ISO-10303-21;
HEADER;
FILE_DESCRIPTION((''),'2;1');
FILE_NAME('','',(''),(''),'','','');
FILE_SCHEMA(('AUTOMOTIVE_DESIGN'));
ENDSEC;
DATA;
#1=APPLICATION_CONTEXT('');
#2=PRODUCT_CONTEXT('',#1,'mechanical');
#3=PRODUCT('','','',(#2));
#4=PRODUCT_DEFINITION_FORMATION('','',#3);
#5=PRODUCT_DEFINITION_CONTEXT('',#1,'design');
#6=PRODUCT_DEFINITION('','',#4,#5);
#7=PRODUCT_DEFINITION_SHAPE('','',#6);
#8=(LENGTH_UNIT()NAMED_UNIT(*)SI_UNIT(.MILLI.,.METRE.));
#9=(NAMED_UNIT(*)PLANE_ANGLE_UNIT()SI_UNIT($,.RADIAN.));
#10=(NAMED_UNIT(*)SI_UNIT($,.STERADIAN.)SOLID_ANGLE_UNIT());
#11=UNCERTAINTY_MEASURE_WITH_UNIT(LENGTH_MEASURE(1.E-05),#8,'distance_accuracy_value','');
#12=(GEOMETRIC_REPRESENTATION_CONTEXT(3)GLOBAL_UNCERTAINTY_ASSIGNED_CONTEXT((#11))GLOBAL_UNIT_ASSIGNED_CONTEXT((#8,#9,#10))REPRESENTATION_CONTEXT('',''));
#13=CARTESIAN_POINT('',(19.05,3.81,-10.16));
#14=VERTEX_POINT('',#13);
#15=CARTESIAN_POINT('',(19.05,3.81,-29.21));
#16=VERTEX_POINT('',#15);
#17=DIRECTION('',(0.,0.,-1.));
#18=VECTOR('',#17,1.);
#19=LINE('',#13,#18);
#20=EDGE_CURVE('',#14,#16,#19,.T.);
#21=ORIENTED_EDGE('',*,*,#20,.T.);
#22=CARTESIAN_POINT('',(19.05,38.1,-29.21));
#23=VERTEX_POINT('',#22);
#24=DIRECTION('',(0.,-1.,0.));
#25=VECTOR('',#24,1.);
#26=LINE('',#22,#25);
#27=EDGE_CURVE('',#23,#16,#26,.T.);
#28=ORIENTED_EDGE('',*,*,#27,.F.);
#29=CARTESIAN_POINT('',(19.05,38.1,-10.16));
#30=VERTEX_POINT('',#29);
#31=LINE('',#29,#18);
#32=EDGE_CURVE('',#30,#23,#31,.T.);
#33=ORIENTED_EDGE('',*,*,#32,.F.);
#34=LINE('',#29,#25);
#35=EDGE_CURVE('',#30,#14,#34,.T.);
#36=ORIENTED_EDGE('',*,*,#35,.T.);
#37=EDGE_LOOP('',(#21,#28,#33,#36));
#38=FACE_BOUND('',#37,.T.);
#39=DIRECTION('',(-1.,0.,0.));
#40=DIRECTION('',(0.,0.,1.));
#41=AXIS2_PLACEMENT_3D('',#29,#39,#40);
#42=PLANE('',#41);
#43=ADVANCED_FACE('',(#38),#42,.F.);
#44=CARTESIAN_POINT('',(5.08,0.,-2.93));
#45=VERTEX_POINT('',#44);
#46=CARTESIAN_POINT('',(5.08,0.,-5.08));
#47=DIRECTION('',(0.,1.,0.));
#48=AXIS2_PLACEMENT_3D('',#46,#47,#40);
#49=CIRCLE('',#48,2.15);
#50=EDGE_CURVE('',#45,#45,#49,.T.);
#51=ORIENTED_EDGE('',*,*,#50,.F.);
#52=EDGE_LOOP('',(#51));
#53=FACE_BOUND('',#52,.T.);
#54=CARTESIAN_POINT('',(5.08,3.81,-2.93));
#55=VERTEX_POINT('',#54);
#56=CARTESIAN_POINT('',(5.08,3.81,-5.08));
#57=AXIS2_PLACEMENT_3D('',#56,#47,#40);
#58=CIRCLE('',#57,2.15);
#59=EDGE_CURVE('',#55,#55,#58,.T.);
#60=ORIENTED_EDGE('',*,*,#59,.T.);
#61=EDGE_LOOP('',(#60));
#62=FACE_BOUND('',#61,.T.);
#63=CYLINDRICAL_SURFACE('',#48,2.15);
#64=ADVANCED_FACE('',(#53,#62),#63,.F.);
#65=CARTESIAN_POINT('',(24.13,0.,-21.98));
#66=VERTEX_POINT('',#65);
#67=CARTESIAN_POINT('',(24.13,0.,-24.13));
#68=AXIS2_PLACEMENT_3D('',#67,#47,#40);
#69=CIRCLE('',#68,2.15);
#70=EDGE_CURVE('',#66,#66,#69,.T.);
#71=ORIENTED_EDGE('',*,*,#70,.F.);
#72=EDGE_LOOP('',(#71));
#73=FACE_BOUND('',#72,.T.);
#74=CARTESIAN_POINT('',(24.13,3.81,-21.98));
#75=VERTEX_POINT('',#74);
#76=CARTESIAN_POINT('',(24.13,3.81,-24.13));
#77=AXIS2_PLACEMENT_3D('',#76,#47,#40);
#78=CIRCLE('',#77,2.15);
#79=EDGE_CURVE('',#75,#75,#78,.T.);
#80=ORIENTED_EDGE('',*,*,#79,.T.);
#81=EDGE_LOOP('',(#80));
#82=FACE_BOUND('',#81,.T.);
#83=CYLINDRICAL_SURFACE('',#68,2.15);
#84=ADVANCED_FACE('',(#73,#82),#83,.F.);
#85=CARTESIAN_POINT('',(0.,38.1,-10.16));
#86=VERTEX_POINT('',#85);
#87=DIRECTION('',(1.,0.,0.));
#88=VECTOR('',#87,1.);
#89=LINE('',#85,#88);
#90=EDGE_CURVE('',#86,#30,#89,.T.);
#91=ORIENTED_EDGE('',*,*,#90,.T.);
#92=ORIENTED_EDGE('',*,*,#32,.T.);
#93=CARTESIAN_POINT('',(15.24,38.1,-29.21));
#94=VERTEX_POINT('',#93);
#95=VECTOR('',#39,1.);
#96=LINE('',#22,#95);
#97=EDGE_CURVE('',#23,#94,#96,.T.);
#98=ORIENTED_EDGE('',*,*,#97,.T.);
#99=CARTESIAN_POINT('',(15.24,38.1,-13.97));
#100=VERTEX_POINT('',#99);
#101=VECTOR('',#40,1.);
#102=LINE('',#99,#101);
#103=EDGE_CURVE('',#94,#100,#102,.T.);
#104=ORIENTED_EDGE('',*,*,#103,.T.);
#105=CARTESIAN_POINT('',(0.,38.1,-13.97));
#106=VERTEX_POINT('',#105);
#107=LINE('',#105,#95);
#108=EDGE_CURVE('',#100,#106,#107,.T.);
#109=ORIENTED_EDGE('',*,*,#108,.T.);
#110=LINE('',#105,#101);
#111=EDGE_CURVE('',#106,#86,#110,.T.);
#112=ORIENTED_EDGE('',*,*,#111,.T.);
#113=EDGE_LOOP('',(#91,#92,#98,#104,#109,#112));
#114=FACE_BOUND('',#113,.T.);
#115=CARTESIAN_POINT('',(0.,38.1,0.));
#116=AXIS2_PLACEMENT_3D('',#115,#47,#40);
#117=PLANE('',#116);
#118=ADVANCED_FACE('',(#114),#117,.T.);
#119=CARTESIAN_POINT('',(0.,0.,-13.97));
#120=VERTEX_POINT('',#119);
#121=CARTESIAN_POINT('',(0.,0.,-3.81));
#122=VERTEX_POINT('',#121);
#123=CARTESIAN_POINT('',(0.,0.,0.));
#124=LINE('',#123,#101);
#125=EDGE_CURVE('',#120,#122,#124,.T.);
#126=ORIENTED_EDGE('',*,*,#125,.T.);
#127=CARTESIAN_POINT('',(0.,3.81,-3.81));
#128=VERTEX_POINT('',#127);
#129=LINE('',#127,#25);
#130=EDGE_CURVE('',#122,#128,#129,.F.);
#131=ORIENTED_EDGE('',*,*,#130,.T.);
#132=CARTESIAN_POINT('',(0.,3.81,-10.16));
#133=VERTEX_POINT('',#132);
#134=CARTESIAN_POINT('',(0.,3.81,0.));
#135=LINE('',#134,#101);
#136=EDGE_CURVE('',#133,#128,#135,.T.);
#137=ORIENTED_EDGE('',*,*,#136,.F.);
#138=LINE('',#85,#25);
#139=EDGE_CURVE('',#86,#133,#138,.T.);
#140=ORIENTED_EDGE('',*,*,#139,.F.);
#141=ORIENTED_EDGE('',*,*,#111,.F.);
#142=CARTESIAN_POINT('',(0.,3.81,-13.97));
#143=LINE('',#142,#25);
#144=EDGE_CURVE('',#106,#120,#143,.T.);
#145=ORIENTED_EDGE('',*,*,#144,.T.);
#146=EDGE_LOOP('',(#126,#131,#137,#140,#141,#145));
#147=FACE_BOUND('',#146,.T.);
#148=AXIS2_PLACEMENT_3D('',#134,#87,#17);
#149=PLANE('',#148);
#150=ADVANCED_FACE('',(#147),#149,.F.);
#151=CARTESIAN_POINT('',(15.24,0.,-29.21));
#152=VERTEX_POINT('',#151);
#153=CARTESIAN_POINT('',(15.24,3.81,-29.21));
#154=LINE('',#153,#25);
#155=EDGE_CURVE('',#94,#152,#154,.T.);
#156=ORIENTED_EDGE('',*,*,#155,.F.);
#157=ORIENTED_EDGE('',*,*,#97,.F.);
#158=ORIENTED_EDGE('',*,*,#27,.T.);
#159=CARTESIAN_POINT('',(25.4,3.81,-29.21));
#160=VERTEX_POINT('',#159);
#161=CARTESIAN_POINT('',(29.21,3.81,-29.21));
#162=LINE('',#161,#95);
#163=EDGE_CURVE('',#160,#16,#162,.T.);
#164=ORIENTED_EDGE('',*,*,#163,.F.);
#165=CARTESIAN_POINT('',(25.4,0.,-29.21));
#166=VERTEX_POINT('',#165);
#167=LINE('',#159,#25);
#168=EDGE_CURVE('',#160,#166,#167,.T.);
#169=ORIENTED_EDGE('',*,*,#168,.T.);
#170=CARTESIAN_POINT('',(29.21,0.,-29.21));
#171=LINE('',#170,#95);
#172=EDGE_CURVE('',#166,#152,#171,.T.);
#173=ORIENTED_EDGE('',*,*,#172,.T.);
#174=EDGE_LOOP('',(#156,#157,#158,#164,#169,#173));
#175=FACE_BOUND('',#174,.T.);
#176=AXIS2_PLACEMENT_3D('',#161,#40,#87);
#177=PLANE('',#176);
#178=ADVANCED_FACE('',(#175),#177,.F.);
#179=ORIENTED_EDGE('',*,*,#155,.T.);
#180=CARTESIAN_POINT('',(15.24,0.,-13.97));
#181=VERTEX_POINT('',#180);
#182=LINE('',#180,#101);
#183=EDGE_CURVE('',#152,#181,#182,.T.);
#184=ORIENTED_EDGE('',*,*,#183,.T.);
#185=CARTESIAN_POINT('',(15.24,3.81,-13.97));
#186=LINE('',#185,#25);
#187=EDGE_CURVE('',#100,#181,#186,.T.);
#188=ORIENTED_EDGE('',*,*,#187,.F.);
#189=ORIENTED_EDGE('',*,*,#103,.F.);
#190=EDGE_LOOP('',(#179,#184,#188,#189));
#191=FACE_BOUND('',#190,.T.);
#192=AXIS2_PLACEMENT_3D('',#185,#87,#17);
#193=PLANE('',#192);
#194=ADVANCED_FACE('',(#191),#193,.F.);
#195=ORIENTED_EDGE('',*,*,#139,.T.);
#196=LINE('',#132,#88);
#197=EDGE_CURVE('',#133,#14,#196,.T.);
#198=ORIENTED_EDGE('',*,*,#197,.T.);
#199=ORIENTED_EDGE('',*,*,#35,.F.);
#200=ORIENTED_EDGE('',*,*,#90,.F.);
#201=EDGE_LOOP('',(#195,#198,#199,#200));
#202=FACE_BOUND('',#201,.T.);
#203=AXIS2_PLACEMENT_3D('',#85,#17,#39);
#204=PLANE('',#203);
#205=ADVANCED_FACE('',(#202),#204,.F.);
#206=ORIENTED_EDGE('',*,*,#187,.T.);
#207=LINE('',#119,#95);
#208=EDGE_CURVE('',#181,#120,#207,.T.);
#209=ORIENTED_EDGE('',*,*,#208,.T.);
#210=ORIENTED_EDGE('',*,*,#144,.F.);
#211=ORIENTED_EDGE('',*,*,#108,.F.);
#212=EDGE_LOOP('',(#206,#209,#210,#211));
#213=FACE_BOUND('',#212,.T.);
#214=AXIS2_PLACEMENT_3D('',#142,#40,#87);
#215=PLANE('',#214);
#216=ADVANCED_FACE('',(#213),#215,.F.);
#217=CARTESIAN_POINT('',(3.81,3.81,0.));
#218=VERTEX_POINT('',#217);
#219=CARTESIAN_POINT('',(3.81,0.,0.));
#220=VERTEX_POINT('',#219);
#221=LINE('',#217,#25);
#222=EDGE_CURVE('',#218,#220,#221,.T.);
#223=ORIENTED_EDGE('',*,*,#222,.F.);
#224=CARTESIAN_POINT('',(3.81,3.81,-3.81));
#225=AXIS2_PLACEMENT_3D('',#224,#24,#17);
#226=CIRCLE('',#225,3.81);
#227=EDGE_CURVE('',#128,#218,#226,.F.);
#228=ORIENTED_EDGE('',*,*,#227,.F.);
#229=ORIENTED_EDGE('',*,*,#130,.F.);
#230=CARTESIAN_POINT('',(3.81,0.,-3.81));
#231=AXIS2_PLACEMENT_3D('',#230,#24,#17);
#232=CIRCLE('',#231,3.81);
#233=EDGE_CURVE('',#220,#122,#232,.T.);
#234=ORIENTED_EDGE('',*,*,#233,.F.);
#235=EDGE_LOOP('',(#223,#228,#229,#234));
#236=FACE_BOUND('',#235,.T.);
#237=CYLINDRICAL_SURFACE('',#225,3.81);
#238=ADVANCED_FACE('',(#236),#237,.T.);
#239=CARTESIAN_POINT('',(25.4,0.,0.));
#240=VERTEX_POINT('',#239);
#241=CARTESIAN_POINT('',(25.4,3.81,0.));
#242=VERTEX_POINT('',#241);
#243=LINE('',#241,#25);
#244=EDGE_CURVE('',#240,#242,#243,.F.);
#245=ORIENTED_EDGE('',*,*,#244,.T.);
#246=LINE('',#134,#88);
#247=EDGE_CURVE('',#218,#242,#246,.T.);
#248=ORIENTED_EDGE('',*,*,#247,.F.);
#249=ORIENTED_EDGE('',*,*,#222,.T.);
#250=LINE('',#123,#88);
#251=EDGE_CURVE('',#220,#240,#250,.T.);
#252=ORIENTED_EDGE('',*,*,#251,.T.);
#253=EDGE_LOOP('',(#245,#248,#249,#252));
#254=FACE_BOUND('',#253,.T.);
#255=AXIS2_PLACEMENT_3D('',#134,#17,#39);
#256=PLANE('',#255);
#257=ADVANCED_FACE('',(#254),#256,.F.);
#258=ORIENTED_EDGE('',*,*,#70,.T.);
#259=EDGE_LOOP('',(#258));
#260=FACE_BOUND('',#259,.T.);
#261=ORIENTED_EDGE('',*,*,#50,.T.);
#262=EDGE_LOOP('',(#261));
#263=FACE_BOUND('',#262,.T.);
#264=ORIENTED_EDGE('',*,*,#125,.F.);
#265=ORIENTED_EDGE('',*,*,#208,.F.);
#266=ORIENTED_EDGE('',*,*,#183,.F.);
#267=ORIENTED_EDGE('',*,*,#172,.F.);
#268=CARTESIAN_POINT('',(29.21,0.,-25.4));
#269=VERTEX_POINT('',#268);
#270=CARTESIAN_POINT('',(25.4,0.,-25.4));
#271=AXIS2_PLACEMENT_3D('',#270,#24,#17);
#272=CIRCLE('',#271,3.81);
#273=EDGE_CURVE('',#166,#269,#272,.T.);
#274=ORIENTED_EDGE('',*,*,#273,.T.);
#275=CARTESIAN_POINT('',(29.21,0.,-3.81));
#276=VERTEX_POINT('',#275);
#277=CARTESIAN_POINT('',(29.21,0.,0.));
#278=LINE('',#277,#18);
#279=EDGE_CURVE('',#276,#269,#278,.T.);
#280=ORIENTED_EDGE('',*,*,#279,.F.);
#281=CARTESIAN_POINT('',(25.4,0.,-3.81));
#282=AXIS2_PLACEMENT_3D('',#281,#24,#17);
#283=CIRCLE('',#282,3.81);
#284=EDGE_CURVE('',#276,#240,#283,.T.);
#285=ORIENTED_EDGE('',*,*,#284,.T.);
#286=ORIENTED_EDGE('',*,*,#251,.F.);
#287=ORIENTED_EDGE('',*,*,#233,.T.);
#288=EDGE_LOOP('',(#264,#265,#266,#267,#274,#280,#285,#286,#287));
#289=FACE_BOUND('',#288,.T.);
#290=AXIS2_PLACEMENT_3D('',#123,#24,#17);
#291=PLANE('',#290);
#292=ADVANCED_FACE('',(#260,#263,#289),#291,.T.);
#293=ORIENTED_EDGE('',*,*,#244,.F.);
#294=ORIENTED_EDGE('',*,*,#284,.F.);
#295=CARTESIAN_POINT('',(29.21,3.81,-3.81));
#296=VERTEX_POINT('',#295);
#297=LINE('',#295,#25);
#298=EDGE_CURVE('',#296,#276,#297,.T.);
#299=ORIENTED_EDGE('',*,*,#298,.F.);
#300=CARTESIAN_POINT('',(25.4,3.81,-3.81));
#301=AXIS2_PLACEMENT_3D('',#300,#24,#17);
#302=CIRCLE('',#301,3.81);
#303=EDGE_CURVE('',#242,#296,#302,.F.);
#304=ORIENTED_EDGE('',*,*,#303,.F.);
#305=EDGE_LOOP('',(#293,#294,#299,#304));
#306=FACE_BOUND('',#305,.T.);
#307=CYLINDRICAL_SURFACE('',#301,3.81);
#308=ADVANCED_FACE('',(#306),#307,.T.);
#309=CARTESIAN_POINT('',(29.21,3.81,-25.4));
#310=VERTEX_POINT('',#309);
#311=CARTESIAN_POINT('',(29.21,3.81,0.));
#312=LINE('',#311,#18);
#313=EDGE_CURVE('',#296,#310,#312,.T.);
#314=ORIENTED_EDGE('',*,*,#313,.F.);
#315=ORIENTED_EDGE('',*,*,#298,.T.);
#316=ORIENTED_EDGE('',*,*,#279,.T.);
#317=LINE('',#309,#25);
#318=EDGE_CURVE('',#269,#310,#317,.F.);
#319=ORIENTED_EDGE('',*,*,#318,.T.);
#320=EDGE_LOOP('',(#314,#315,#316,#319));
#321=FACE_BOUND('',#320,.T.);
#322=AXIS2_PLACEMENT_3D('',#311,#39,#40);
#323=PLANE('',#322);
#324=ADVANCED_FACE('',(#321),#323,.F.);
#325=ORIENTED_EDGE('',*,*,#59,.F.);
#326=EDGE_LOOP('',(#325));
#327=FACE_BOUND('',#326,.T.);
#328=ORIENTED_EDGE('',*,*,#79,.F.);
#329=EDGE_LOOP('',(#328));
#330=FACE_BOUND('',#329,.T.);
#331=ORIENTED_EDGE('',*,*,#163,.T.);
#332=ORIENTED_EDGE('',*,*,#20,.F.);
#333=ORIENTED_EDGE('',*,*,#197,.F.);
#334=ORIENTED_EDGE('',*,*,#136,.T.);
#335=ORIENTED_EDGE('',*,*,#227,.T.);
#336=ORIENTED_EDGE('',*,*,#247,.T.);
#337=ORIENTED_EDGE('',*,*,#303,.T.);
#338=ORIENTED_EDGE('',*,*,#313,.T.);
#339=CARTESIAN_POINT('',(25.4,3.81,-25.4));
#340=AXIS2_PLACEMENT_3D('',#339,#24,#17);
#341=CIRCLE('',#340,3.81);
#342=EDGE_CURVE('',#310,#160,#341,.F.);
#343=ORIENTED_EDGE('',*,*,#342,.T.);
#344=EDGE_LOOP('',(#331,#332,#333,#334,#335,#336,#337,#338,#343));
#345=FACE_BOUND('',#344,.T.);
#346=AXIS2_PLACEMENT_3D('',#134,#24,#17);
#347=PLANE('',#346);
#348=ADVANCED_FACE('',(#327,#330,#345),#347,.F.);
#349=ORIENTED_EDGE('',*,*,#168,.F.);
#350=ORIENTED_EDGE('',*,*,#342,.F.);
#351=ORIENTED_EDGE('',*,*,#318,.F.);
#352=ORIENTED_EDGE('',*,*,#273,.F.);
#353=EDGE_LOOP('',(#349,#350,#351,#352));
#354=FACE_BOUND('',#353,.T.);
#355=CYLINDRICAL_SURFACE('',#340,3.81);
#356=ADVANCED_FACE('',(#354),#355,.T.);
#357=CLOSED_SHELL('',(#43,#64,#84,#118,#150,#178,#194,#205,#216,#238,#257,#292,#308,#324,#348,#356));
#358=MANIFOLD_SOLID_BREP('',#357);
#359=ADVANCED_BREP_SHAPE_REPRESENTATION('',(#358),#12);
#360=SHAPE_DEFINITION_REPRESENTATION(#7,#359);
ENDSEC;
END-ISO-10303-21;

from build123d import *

# Parameters (mm, degrees)
BOSS_EXTRUDE1_DEPTH = 3.81
BOSS_EXTRUDE2_DEPTH = 34.29
SKETCH3_R           = 2.15
CUT_EXTRUDE1_DEPTH  = 4.81
FILLET1_R           = 3.81


with BuildPart() as part:
    # Sketch1 → Boss-Extrude1 (new body)
    with BuildSketch(Plane(origin=(0, 0, 0), x_dir=(1, 0, 0), z_dir=(0, 1, 0))):
        Polygon((29.21, 0), (29.21, 29.21), (15.24, 29.21), (15.24, 13.97), (0, 13.97), (0, 0), align=None)
    extrude(amount=BOSS_EXTRUDE1_DEPTH)

    # Sketch2 → Boss-Extrude2 (add)
    with BuildSketch(Plane(origin=(0, 3.81, 0), x_dir=(1, 0, 0), z_dir=(0, 1, 0))):
        Polygon((0, 13.97), (15.24, 13.97), (15.24, 29.21), (19.05, 29.21), (19.05, 10.16), (0, 10.16), align=None)
    extrude(amount=BOSS_EXTRUDE2_DEPTH)

    # Sketch3 → Cut-Extrude1 (cut, through all)
    with BuildSketch(Plane(origin=(0, 3.81, 0), x_dir=(1, 0, 0), z_dir=(0, 1, 0))):
        with Locations((5.08, 5.08)):
            Circle(SKETCH3_R)
        with Locations((24.13, 24.13)):
            Circle(SKETCH3_R)
    extrude(amount=-CUT_EXTRUDE1_DEPTH, mode=Mode.SUBTRACT)

    # Fillet1
    fillet1_edges = [part.edges().sort_by_distance(p)[0] for p in [
        (29.21, 1.905, -29.21),
        (29.21, 1.905, 0),
        (0, 1.905, 0),
    ]]
    fillet(fillet1_edges, radius=FILLET1_R)


solid = part.part
